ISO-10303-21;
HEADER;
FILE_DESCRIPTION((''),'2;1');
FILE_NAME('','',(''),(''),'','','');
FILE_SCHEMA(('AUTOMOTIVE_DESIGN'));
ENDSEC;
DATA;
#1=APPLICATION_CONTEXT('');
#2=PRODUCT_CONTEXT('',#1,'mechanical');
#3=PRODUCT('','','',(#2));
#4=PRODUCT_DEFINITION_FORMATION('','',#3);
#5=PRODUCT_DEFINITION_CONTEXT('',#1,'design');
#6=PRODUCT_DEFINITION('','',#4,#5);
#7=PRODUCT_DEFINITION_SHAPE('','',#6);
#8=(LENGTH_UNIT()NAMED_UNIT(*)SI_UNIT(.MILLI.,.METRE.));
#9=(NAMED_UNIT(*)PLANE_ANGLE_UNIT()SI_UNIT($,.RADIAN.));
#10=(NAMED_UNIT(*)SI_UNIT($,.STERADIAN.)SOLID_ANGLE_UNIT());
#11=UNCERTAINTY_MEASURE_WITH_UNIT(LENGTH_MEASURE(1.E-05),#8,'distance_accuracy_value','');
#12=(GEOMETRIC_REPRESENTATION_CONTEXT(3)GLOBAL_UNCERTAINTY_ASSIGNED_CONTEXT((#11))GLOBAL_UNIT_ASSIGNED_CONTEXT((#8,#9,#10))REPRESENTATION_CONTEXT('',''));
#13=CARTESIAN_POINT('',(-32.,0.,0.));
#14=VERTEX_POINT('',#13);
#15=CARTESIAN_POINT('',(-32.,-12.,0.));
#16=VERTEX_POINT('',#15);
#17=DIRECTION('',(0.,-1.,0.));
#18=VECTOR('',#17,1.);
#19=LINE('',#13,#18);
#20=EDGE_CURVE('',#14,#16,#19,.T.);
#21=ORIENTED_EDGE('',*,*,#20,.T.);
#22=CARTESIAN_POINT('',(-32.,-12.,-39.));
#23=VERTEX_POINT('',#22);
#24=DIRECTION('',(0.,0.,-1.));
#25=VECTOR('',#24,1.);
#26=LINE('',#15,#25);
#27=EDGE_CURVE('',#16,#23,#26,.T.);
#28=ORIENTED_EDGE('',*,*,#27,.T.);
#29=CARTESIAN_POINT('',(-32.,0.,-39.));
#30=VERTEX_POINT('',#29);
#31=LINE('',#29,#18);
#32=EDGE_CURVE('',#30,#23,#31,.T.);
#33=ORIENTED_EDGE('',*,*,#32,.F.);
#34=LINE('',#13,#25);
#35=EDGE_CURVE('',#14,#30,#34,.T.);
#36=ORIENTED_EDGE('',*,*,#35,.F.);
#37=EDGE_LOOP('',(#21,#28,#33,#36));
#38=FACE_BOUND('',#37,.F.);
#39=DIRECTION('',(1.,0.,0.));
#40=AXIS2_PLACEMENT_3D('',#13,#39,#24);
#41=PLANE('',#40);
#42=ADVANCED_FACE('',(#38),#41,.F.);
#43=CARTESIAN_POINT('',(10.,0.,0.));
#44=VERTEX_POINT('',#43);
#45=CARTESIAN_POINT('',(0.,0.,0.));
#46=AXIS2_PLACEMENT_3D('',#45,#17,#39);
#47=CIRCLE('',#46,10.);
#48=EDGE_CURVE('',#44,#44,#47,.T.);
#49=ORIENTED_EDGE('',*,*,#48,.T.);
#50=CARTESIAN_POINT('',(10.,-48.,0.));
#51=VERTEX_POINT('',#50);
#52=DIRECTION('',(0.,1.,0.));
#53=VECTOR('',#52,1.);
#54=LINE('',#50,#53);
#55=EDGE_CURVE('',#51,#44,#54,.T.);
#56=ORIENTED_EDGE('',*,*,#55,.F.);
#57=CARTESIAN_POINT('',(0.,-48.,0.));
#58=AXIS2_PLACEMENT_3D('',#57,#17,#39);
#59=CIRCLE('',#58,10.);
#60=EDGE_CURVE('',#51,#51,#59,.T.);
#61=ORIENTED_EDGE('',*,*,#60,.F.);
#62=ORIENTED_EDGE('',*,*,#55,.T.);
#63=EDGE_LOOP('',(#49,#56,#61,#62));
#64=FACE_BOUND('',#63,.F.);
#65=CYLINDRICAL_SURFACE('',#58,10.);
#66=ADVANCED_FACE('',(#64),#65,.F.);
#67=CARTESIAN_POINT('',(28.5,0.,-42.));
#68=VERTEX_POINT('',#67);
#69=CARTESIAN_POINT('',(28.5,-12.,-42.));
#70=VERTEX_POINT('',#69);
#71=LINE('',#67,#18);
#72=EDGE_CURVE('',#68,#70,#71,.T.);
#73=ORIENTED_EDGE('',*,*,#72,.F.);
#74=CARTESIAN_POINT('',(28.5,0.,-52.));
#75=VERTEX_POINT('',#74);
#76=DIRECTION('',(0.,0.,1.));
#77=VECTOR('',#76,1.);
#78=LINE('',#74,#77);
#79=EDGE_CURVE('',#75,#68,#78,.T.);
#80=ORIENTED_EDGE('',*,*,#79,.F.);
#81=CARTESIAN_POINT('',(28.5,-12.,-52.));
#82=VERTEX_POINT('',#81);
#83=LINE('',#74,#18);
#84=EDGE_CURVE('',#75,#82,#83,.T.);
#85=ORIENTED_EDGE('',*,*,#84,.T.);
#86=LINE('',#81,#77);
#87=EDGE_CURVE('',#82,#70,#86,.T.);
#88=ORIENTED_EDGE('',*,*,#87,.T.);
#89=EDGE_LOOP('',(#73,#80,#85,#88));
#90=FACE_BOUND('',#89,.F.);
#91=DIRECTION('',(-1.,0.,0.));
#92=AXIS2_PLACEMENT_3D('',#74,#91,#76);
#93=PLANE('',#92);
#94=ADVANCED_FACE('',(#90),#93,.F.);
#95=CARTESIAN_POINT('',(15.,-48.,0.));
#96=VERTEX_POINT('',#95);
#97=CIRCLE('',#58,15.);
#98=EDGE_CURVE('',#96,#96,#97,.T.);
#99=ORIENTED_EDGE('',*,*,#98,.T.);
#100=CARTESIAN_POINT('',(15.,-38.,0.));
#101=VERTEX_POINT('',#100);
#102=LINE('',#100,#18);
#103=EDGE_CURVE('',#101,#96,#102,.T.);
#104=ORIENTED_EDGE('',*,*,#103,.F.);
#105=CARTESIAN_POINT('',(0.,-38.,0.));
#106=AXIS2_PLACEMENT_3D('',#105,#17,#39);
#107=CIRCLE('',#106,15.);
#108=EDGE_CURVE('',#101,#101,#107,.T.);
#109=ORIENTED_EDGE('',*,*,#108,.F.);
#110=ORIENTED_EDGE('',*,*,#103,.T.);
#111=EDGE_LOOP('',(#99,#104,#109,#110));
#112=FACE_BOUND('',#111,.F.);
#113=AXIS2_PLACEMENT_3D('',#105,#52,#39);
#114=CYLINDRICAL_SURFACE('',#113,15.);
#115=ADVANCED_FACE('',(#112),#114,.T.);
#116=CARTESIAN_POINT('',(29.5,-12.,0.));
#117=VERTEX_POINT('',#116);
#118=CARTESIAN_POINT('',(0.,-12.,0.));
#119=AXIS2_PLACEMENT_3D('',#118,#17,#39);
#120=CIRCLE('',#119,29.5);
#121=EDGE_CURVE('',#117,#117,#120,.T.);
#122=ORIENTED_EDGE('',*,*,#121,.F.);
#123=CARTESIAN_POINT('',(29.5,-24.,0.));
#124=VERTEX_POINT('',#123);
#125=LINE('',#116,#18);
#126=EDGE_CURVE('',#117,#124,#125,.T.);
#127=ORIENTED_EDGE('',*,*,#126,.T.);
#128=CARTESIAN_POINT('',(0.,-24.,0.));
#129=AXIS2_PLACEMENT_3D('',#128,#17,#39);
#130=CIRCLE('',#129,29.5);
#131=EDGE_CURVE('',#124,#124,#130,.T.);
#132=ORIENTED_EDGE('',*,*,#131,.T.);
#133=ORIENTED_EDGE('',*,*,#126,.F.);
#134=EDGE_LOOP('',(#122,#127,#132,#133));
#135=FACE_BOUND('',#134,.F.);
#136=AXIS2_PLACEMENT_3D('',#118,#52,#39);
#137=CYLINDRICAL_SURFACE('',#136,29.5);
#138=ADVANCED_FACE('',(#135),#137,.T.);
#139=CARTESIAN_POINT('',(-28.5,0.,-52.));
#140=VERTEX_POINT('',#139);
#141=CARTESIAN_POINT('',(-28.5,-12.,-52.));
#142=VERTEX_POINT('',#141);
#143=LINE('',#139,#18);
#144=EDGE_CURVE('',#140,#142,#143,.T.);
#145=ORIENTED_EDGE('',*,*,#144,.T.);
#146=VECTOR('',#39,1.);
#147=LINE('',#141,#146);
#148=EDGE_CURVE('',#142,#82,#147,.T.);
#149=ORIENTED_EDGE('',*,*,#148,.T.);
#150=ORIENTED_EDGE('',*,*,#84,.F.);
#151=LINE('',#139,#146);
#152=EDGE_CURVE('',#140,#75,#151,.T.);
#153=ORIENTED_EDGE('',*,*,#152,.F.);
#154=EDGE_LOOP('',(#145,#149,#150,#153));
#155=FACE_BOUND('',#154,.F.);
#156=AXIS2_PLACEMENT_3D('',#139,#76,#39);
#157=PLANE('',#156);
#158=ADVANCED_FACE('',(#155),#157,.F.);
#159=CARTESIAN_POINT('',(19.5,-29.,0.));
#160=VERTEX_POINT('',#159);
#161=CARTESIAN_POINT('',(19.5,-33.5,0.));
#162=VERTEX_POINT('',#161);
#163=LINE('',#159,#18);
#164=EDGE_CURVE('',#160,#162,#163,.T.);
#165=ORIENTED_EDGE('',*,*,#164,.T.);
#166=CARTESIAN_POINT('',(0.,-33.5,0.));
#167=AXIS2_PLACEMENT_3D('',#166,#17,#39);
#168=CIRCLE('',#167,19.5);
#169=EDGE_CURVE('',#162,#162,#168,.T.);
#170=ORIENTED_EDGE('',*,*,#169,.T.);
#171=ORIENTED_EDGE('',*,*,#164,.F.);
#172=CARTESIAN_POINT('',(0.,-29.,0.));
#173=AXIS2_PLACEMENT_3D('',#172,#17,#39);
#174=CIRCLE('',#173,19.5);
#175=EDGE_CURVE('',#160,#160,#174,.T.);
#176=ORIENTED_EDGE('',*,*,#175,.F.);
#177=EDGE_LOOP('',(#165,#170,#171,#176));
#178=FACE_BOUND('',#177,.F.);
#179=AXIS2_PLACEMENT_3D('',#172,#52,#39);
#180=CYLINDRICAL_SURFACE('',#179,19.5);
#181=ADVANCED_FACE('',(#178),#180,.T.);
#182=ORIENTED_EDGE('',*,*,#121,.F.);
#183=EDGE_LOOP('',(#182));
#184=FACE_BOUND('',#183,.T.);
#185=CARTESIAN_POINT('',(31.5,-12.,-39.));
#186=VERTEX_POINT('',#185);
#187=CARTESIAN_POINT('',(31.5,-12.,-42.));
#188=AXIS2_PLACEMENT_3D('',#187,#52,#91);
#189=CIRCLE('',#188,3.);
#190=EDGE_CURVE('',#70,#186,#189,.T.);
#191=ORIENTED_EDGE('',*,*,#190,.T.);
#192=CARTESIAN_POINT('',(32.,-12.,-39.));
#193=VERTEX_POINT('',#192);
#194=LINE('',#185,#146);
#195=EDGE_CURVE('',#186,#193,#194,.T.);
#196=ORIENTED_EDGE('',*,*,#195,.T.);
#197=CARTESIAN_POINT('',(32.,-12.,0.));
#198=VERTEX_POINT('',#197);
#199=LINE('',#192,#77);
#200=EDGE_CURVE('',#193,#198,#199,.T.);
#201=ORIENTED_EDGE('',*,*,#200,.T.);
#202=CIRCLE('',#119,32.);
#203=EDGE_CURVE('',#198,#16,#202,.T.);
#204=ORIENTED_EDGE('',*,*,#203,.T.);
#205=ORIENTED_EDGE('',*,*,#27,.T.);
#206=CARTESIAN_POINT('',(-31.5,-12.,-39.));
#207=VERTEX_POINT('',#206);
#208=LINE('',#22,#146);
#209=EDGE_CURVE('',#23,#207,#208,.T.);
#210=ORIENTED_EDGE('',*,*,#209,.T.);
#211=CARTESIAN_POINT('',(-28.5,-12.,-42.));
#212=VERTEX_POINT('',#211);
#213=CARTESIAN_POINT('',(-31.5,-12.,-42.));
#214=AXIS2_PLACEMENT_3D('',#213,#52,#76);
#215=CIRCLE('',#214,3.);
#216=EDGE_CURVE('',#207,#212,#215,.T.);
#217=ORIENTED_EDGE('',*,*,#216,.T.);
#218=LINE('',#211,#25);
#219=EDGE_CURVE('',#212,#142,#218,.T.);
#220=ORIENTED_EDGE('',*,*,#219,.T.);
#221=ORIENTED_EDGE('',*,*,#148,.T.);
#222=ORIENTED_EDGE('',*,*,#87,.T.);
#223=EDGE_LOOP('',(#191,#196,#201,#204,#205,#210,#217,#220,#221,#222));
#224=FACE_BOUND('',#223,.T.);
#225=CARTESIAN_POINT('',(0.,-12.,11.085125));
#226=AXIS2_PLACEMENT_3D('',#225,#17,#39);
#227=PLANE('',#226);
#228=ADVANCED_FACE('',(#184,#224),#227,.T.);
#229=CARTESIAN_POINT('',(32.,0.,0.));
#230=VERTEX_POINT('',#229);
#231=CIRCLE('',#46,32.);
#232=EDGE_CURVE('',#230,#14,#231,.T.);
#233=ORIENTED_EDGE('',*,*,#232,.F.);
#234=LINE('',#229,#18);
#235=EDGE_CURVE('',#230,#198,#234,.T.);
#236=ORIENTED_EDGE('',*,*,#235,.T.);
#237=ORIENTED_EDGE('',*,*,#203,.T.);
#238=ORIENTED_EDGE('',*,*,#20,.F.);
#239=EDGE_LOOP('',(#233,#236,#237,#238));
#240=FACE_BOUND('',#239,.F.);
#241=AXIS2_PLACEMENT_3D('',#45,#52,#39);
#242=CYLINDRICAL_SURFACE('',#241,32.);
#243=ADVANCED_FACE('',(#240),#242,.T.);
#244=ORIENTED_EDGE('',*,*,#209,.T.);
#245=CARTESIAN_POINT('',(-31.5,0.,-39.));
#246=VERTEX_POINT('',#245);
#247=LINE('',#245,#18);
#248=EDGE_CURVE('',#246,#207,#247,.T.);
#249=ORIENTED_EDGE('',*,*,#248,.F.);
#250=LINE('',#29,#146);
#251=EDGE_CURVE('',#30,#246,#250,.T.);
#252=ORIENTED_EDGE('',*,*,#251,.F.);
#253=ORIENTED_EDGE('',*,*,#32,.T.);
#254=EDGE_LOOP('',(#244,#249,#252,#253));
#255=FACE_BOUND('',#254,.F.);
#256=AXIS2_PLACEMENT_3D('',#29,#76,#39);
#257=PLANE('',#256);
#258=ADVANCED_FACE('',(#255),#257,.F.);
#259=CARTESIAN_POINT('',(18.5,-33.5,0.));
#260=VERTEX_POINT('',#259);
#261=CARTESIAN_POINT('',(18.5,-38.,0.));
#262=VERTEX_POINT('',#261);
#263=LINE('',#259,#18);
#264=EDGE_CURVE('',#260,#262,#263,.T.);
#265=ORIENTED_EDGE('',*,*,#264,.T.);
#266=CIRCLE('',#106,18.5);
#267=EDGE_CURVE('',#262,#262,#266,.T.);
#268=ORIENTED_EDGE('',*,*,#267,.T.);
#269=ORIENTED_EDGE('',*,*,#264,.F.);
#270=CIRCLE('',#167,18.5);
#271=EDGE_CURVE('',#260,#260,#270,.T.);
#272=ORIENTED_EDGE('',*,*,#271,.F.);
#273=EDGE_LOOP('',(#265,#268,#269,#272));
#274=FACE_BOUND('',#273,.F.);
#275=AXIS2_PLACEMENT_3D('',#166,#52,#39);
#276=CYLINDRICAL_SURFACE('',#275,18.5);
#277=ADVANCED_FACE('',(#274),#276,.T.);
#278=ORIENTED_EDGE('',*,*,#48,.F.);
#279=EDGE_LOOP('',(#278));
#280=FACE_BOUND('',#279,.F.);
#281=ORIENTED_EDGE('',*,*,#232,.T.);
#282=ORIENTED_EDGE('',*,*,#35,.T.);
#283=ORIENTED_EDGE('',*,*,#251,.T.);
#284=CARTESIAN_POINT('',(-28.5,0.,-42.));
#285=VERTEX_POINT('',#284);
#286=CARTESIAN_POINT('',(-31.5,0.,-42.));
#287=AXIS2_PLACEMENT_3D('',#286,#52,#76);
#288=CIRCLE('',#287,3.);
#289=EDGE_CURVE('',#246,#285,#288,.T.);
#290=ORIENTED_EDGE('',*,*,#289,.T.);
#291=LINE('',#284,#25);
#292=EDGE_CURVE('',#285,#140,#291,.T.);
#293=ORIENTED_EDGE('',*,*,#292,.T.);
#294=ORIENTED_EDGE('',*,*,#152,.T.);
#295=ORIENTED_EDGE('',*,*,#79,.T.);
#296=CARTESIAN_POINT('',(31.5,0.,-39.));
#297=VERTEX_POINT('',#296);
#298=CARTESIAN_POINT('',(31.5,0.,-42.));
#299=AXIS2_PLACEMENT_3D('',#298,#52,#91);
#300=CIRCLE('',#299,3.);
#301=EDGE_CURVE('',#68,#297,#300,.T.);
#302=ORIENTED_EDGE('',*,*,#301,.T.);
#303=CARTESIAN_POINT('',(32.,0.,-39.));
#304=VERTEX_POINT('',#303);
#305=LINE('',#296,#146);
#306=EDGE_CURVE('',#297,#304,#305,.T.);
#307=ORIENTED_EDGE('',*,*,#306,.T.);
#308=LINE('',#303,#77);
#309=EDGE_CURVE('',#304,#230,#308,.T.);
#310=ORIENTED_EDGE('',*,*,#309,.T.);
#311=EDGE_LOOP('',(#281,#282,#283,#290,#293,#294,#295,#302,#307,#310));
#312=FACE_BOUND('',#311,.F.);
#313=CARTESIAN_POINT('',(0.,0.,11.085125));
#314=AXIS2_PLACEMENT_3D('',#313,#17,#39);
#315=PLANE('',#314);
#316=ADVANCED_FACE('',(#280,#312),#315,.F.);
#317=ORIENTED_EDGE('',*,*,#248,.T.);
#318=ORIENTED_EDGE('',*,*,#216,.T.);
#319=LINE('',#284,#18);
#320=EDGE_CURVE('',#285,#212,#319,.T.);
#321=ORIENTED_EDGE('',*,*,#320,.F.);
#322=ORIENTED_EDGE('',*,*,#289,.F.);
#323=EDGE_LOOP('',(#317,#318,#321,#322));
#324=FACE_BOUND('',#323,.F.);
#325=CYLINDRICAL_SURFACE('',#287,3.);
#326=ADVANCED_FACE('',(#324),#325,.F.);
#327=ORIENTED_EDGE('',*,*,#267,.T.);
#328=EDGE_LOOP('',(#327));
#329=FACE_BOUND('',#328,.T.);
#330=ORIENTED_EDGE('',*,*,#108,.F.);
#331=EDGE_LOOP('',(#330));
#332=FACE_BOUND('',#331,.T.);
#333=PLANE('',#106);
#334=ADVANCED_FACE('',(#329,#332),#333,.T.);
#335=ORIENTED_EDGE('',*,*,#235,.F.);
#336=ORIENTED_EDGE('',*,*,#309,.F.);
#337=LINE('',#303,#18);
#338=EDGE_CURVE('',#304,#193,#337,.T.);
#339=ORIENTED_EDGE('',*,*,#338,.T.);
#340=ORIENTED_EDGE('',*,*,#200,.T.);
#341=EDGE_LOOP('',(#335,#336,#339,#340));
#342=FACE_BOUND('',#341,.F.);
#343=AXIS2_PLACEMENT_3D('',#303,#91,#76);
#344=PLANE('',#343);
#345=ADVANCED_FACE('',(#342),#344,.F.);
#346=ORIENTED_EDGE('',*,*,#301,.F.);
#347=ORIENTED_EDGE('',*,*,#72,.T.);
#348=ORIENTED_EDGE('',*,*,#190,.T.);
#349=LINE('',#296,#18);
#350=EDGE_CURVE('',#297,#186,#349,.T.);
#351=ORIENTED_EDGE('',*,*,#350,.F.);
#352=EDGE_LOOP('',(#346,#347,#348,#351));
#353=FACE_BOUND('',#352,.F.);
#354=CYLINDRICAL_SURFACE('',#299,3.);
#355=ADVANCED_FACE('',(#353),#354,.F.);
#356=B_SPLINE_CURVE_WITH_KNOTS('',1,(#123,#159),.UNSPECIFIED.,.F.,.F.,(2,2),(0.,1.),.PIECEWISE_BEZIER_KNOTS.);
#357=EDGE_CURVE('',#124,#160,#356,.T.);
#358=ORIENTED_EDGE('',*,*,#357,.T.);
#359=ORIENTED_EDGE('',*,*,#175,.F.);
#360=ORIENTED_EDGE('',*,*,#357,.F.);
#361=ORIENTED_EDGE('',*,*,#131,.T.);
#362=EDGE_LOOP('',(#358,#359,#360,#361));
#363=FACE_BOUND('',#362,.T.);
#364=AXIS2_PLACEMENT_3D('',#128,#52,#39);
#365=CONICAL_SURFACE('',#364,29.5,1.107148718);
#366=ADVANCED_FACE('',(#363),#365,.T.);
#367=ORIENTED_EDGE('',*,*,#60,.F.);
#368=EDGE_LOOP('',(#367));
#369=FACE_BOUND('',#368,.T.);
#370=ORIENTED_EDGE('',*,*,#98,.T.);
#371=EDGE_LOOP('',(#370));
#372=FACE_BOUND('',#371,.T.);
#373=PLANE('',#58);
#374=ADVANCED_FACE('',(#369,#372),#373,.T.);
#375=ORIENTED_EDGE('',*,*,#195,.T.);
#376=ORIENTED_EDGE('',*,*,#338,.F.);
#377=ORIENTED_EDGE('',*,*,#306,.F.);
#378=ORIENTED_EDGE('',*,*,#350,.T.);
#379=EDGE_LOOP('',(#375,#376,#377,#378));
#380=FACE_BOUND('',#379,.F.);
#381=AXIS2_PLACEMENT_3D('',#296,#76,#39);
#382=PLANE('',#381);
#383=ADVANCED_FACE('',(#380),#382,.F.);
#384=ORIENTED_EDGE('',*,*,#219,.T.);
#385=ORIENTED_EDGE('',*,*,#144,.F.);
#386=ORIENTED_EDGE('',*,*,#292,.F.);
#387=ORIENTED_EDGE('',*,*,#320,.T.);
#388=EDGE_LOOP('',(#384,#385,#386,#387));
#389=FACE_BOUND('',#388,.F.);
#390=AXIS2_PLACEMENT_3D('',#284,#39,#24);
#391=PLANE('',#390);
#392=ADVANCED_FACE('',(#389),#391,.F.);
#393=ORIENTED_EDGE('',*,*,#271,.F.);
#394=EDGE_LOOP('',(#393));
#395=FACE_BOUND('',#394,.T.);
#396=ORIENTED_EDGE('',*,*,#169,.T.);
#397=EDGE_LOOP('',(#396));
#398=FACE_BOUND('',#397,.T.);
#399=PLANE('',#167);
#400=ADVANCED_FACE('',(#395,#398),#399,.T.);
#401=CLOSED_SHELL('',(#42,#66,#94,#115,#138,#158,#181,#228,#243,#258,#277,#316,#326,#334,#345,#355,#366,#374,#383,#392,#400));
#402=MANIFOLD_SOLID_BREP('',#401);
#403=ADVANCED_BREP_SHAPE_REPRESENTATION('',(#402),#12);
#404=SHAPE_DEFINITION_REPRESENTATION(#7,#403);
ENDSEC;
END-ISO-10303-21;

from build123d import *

# Parameters (mm, degrees)
F1_DEPTH  = 12
F2_R      = 29.5
F3_DEPTH  = 12
F3_FACE_R = 29.5
F5_R      = 19.5
F7_DEPTH  = 4.5
F8_R      = 18.5
F9_DEPTH  = 4.5
F10_R     = 15
F11_DEPTH = 10
F12_R     = 10
F13_DEPTH = 48.001


with BuildPart() as f1:
    # F0 (on Front) → F1 (new body)
    with BuildSketch(Plane.XZ):
        with BuildLine():
            Line((-32, 0), (32, 0))
            ThreePointArc((32, 0), (0, 32), (-32, 0))
        make_face()
        with BuildLine():
            Line((32, -39), (32, 0))
            Line((32, 0), (-32, 0))
            Line((-32, 0), (-32, -39))
            Line((-32, -39), (-31.5, -39))
            ThreePointArc((-31.5, -39), (-29.3786796564, -39.8786796564), (-28.5, -42))
            Line((-28.5, -42), (-28.5, -52))
            Line((-28.5, -52), (28.5, -52))
            Line((28.5, -52), (28.5, -42))
            ThreePointArc((28.5, -42), (29.3786796564, -39.8786796564), (31.5, -39))
            Line((31.5, -39), (32, -39))
        make_face()
    extrude(amount=F1_DEPTH)

    # F2 (on face) → F3 (join)
    with BuildSketch(Plane.XZ.offset(12)):
        Circle(F2_R)
    extrude(amount=F3_DEPTH)

    # F3_face (on face) → F6 section 0
    with BuildSketch(Plane.XZ.offset(24)):
        Circle(F3_FACE_R)
    # F5 (on offset) → F6 section 1
    with BuildSketch(Plane.XZ.offset(29)):
        Circle(F5_R)
    loft()

    # F7 (add): a face of the model
    f7_faces = [f1.faces().sort_by_distance(p)[0] for p in [
        (0, -29, 0),
    ]]
    extrude(f7_faces, amount=F7_DEPTH)

    # F8 (on face) → F9 (join)
    with BuildSketch(Plane.XZ.offset(33.5)):
        Circle(F8_R)
    extrude(amount=F9_DEPTH)

    # F10 (on face) → F11 (join)
    with BuildSketch(Plane.XZ.offset(38)):
        Circle(F10_R)
    extrude(amount=F11_DEPTH)

    # F12 (on face) → F13 (cut, through all)
    with BuildSketch(Plane.XZ.offset(48)):
        Circle(F12_R)
    extrude(amount=-F13_DEPTH, mode=Mode.SUBTRACT)


solid = f1.part
